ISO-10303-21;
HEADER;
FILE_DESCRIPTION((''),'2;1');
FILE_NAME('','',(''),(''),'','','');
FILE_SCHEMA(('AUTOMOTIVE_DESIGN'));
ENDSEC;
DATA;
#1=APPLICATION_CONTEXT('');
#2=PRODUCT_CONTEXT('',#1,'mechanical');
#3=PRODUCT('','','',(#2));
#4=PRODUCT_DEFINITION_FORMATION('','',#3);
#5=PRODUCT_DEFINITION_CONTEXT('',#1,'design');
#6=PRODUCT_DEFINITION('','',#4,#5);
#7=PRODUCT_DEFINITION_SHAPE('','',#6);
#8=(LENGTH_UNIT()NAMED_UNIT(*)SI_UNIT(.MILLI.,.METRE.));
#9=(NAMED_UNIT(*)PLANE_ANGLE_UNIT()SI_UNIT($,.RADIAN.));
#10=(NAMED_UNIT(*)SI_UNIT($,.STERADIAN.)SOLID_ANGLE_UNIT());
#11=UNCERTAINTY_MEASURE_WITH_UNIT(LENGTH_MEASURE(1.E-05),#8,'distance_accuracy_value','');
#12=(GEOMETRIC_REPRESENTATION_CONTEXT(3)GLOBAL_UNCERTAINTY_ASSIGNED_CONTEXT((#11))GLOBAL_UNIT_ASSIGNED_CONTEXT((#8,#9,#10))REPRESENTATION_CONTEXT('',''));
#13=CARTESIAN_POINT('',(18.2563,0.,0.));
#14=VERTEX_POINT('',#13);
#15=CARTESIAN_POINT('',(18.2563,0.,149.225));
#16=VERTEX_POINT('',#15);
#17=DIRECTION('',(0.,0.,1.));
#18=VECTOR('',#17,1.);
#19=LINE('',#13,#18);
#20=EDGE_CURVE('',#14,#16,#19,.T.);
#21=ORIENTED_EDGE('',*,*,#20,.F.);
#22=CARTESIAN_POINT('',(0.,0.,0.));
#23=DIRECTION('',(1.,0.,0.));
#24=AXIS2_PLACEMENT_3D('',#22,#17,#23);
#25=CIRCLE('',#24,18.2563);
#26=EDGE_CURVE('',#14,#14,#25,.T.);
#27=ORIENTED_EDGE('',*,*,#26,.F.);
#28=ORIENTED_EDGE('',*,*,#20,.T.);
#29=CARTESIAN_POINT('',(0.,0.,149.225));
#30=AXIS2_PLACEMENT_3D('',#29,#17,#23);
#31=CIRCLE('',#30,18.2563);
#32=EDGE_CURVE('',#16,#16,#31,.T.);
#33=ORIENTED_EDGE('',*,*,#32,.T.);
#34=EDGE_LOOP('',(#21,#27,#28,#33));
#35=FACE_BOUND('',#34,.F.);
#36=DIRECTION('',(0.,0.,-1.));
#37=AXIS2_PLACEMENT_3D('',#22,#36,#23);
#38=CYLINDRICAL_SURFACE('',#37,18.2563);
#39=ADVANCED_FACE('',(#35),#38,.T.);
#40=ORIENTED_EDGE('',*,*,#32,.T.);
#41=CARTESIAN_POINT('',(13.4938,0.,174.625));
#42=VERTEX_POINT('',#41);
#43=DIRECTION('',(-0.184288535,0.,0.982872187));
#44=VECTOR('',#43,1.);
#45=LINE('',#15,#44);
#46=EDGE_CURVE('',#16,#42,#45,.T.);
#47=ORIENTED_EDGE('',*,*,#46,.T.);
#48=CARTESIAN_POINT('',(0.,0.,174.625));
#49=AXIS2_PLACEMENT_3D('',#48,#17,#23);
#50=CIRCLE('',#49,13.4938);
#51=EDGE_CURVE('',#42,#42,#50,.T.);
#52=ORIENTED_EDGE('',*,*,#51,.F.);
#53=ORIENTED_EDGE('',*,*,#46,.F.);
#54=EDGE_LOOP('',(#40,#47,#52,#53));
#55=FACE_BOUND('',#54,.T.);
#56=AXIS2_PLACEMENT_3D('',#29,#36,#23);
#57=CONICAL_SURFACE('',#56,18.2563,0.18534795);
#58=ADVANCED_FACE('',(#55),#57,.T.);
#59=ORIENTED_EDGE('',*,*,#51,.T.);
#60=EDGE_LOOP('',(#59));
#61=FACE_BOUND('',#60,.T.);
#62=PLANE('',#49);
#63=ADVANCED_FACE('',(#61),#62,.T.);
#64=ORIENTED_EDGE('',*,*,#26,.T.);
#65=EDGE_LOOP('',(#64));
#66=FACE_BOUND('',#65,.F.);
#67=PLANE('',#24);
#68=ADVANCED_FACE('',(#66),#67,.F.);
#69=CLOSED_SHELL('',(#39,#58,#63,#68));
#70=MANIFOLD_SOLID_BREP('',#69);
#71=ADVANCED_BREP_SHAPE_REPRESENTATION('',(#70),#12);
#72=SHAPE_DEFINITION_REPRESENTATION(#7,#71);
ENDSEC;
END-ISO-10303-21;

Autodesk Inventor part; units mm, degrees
ref_plane "YZ Plane" through (0, 0, 0) normal (1, 0, 0) x (0, 1, 0)
ref_plane "XZ Plane" through (0, 0, 0) normal (0, 1, 0) x (-1, 0, 0)
ref_plane "XY Plane" through (0, 0, 0) normal (0, 0, 1) x (1, 0, 0)
sketch "Sketch1" plane through (0, 0, 0) normal (0, 0, 1) x (1, 0, 0)
  circle A0 centre (0, 0) radius 18.2563
  dimension "d0" = 36.5125
extrude "Extrusion1" add sketch "Sketch1" along normal blind 174.625
chamfer "Chamfer1" distance 25.4 distance2 4.7625 1 edges at (-18.2563, 0, 174.625) measured on face at (18.0198, -2.9285, 116.4167)
properties part number "GE-12026-04"
